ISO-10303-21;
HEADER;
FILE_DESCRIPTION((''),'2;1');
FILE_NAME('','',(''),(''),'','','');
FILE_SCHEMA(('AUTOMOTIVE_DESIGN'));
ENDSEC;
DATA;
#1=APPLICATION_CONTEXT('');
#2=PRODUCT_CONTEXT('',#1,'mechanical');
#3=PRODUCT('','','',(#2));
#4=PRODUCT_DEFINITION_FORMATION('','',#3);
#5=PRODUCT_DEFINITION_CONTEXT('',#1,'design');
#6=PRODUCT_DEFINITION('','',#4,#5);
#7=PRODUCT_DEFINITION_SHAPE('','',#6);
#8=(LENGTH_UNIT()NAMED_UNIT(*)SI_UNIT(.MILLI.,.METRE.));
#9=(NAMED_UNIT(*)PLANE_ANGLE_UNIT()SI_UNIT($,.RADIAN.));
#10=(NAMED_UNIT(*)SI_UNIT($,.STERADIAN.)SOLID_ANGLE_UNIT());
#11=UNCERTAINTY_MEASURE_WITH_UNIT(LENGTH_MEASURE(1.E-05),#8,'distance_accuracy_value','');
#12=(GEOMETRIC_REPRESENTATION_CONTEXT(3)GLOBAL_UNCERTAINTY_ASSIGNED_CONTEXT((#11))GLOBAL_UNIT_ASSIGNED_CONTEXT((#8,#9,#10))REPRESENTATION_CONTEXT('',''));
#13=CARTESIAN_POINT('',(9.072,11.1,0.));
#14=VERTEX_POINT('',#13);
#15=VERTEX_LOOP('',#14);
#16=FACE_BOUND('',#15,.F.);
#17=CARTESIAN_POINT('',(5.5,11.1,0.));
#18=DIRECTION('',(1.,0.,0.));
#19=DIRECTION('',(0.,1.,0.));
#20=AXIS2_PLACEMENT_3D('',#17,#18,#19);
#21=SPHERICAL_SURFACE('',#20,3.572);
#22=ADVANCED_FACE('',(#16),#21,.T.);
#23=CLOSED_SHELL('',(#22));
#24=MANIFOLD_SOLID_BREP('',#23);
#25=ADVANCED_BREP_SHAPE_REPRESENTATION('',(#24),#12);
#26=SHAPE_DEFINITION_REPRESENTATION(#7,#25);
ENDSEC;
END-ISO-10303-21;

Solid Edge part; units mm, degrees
sketch "Sketch1" plane through (0, 0, 0) normal (0, 0, 1) x (1, 0, 0)
  arc A0 (1.928, 11.1) -> (9.072, 11.1) centre (5.5, 11.1) cw
  line L0 (9.072, 11.1) -> (1.928, 11.1)
revolve "RevolvedProtrusion1" add sketch "Sketch1" angle 360 about axis through (9.072, 11.1, 0) along (-1, 0, 0)
properties material "Steel"
